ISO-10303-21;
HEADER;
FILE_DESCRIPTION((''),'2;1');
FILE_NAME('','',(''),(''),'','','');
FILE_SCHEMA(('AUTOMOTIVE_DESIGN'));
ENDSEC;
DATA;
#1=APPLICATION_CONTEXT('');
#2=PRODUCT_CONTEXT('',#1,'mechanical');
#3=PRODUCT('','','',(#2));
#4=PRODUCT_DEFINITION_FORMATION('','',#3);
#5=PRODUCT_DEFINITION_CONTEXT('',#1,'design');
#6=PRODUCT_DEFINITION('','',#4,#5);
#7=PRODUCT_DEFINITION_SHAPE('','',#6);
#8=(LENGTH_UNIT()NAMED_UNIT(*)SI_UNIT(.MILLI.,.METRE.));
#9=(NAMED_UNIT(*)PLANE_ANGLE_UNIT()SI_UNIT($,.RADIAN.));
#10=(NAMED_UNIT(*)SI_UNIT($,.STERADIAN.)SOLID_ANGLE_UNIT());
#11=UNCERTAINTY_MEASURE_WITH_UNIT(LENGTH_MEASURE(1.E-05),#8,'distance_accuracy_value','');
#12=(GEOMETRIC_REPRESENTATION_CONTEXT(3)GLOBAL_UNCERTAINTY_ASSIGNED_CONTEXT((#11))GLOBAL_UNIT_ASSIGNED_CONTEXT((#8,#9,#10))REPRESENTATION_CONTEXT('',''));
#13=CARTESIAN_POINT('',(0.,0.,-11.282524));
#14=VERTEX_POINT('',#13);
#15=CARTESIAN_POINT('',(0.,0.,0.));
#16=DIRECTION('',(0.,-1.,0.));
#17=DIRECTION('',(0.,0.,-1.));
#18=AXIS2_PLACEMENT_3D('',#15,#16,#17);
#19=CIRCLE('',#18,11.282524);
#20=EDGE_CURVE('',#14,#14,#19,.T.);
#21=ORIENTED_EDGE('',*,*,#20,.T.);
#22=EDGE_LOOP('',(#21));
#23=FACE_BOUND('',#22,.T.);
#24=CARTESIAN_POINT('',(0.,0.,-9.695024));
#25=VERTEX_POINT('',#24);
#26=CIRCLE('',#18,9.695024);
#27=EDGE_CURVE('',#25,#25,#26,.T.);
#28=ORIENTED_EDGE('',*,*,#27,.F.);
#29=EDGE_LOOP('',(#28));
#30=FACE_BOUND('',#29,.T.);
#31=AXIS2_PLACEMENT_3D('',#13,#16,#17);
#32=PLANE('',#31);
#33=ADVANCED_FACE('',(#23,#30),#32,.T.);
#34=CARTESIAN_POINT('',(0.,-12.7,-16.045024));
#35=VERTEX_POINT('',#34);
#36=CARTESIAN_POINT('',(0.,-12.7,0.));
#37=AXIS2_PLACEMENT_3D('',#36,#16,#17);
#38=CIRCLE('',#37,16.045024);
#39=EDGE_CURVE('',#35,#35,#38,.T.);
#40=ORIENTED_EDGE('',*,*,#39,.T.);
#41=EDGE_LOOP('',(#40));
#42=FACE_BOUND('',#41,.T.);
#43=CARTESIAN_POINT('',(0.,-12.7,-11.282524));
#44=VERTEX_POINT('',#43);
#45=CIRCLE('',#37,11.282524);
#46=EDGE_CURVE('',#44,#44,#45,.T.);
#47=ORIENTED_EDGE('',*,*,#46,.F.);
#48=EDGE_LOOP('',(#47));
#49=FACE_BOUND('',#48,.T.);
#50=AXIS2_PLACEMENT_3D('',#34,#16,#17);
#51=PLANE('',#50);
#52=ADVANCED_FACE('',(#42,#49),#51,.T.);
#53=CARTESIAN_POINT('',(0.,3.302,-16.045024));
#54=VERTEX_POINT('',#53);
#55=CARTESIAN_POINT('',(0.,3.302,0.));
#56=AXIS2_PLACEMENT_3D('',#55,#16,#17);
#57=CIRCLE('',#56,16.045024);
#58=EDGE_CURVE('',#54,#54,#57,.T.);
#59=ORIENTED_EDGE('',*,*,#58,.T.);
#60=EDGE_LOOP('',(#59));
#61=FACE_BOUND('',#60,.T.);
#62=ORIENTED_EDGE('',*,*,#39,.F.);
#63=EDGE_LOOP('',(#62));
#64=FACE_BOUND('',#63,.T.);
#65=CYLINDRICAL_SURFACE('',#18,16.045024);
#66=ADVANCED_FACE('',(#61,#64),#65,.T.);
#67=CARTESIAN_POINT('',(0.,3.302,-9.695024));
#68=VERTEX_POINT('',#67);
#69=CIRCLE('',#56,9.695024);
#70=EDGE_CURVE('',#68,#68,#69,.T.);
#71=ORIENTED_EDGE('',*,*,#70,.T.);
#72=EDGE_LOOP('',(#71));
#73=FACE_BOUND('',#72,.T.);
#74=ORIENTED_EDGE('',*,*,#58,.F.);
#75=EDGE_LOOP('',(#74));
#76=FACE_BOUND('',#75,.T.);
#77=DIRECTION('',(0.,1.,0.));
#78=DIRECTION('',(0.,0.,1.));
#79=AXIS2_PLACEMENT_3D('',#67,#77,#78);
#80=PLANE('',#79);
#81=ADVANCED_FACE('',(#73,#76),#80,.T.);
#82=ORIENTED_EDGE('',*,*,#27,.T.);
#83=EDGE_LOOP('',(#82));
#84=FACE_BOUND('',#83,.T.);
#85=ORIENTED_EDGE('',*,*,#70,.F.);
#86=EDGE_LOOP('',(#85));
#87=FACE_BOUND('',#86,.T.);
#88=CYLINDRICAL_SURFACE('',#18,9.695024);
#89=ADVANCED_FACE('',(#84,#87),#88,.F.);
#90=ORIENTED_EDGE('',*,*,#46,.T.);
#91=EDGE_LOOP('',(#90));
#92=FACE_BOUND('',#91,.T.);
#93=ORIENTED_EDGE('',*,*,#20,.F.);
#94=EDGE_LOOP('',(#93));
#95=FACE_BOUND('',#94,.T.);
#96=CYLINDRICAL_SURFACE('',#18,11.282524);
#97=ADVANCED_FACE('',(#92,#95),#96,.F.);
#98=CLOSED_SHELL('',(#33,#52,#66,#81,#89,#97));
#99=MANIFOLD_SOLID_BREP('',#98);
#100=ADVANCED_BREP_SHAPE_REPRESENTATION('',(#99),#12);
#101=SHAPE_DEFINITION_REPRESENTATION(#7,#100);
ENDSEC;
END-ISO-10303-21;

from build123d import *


with BuildPart() as part:
    # Sketch1 → Revolve1 (revolve)
    with BuildSketch(Plane(origin=(0, 0, 0), x_dir=(0, 0, -1), z_dir=(1, 0, 0))):
        Polygon((9.695024428, 0), (9.695024428, 3.302), (16.045024428, 3.302), (16.045024428, -12.7), (11.282524428, -12.7), (11.282524428, 0), align=None)
    revolve(axis=Axis((0, 0, 0), (0, 1, 0)))


solid = part.part
